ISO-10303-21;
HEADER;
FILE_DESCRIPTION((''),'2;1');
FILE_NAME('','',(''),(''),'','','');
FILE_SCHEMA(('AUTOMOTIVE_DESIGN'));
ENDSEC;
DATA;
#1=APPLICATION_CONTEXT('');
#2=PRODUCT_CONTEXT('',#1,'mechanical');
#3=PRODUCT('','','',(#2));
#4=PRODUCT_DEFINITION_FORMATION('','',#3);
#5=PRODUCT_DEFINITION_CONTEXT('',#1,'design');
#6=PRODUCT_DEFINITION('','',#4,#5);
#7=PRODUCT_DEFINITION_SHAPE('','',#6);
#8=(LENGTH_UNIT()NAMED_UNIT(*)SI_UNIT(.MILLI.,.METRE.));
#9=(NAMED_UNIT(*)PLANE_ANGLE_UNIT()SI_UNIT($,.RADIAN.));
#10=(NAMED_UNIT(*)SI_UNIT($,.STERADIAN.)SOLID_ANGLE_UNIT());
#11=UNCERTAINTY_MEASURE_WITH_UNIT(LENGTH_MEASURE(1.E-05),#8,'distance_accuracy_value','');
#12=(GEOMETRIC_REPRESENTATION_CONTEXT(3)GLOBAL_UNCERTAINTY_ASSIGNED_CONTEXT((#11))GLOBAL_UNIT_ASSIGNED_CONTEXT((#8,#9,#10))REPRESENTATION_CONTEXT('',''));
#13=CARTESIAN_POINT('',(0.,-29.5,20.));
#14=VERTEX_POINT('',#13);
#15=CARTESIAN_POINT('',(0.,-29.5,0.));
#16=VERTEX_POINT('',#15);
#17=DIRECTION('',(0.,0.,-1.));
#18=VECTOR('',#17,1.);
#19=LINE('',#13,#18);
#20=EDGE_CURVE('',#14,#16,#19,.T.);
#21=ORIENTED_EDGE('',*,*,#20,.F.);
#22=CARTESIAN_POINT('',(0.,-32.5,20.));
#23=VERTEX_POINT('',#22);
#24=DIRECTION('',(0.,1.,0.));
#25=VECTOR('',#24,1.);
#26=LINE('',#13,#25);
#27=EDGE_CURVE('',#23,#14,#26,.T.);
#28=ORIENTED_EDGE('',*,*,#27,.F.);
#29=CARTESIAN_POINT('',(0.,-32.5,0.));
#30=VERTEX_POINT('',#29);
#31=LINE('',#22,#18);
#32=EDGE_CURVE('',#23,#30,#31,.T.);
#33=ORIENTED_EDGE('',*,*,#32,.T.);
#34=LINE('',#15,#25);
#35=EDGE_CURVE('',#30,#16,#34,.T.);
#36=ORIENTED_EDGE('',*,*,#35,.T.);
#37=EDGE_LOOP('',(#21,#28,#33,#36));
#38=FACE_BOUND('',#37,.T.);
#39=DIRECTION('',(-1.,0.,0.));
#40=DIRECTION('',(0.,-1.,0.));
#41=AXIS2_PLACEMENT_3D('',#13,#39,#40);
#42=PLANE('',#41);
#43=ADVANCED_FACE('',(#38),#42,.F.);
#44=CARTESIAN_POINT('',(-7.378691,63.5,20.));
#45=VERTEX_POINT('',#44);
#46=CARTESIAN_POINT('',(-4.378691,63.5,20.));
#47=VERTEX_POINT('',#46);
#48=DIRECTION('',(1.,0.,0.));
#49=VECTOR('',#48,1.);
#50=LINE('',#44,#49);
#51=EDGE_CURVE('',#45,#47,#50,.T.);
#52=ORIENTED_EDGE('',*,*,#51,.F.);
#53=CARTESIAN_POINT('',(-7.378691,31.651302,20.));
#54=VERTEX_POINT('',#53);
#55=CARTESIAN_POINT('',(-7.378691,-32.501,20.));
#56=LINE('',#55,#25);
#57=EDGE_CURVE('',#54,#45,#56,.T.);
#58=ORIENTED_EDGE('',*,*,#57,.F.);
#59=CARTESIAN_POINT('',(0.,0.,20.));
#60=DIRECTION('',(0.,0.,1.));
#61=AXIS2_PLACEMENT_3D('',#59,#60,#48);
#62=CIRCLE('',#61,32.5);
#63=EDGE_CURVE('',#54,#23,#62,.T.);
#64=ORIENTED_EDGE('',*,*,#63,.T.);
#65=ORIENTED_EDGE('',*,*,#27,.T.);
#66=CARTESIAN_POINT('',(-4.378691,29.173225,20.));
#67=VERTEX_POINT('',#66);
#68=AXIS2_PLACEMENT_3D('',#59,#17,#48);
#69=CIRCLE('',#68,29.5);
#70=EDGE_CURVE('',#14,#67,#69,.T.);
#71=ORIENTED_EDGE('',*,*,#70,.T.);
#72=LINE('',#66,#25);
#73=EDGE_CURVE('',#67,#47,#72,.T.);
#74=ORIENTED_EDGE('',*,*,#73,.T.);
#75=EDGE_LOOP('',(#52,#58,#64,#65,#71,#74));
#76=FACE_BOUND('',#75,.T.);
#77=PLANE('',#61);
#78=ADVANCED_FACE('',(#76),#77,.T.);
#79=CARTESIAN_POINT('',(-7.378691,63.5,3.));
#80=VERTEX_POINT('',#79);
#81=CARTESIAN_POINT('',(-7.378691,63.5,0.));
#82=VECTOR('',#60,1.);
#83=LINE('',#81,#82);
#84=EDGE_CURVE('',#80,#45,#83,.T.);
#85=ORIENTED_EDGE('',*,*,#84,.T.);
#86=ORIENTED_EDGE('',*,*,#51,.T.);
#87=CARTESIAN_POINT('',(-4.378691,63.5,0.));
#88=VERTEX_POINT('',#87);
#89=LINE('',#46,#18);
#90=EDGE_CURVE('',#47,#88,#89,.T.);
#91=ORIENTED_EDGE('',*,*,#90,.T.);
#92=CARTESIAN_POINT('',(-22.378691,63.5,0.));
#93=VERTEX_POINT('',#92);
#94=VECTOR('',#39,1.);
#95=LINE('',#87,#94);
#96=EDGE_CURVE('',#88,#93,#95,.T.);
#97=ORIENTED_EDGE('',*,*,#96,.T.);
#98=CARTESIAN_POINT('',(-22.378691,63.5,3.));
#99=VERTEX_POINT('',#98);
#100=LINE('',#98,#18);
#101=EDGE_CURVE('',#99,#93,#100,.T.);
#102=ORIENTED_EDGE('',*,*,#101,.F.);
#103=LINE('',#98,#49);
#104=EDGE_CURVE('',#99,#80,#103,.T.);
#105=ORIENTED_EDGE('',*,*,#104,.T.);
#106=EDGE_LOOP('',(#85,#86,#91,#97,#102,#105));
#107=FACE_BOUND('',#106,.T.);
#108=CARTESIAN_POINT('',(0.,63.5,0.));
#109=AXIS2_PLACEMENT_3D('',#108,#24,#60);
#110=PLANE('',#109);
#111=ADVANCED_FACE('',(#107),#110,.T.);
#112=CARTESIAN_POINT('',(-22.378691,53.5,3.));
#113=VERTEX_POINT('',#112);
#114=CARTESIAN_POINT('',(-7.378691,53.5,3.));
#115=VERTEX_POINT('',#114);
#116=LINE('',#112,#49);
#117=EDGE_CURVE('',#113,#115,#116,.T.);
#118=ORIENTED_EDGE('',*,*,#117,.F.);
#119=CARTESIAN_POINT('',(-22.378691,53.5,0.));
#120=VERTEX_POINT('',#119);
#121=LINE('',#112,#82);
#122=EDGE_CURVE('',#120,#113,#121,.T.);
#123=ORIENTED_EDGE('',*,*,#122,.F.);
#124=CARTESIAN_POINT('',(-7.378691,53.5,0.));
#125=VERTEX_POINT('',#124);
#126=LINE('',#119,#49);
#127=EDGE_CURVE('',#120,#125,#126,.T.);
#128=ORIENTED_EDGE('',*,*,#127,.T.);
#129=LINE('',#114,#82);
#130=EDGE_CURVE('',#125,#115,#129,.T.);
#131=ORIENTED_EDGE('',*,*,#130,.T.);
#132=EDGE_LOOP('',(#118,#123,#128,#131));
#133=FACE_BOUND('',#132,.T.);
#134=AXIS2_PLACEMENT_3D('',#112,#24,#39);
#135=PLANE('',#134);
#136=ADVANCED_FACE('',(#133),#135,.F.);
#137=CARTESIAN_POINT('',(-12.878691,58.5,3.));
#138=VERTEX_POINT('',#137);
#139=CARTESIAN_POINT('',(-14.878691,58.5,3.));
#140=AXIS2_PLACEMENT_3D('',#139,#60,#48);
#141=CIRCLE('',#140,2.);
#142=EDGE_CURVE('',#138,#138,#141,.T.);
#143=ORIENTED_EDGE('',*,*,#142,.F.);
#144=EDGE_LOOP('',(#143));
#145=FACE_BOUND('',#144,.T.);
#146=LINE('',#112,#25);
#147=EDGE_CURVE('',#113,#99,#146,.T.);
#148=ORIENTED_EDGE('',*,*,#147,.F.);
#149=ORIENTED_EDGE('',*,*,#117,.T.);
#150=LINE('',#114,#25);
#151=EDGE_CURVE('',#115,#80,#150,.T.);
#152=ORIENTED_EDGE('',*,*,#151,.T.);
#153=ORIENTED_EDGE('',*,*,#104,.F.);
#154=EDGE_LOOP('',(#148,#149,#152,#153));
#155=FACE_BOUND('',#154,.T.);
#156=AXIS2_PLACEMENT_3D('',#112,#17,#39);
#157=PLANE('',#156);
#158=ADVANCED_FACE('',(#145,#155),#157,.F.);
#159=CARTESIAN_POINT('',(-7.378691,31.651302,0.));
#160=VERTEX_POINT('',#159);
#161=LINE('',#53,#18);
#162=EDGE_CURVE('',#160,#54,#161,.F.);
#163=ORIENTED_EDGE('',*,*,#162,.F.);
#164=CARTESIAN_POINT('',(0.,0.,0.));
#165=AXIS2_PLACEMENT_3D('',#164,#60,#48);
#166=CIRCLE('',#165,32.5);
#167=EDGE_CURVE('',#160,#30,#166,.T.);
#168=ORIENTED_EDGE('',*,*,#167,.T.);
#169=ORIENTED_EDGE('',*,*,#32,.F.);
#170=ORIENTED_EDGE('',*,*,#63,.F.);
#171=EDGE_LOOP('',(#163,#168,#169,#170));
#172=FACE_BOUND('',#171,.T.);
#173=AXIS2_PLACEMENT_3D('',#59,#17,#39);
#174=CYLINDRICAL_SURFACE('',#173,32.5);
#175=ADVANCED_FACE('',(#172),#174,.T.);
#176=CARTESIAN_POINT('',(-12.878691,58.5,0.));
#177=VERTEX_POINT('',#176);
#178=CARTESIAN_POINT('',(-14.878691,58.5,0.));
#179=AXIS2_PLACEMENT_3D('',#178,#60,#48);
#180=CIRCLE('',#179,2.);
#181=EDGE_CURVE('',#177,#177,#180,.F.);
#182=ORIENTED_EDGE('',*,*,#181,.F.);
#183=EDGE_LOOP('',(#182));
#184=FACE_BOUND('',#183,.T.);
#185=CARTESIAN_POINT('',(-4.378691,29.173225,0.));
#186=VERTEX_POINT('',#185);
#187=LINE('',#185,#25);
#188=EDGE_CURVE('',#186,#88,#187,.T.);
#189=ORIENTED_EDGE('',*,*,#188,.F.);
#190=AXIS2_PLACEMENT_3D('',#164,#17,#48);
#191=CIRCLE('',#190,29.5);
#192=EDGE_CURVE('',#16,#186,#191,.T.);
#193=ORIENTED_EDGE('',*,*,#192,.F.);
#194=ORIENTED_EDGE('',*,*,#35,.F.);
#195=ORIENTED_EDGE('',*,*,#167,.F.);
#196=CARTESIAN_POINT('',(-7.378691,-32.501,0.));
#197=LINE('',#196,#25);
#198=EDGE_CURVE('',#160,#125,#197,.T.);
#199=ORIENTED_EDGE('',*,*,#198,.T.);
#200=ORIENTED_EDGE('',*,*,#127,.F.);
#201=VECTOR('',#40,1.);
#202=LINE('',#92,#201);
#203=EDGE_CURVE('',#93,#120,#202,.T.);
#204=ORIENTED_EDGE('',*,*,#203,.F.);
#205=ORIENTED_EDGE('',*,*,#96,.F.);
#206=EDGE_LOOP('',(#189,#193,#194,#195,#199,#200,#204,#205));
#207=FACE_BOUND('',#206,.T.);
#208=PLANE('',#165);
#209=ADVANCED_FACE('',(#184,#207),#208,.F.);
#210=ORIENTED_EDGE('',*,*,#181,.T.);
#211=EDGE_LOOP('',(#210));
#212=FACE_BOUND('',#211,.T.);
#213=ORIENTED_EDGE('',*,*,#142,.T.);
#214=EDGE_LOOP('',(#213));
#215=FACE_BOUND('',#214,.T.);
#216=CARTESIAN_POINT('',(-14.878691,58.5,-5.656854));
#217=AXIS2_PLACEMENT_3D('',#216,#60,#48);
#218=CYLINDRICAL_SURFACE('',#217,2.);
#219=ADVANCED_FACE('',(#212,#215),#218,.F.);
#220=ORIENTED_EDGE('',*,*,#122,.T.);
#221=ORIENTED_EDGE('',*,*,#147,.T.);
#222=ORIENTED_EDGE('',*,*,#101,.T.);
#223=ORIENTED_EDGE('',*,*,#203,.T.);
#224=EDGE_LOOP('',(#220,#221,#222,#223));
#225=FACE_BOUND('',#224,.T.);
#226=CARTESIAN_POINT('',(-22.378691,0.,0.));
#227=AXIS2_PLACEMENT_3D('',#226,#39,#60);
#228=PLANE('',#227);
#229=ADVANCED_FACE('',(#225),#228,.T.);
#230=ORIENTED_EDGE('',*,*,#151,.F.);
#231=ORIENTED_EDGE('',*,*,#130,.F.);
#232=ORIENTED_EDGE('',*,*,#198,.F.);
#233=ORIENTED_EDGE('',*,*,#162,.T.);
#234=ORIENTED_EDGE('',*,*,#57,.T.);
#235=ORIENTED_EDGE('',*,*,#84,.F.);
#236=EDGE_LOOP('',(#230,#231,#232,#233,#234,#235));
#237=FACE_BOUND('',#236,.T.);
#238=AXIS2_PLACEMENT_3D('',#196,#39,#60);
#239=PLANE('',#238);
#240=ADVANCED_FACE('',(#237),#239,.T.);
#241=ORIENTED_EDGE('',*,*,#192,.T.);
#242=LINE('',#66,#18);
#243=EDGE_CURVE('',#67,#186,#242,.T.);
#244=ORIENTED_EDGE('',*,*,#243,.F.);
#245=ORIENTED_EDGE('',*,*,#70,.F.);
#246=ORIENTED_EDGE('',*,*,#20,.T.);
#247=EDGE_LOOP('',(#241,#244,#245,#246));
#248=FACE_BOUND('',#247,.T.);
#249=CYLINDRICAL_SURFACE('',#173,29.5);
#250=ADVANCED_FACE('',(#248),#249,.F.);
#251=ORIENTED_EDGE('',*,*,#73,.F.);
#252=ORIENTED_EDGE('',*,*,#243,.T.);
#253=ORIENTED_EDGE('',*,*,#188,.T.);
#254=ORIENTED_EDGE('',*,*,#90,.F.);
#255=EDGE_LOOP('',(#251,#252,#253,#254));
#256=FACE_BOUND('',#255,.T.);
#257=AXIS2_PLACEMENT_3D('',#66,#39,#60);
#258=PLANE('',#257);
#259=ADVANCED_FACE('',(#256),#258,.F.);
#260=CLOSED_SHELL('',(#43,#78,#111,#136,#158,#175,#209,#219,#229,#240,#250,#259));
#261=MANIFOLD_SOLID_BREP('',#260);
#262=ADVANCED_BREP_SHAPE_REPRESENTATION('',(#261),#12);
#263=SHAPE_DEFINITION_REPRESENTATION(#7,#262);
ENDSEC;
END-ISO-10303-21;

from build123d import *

# Parameters (mm, degrees)
BOSS_EXTRUDE1_DEPTH             = 20
SKETCH3_W                       = 3
SKETCH3_H                       = 20
BOSS_EXTRUDE3_DEPTH             = 31
BOSS_EXTRUDE3_DIRECTION_2_REACH = 77.374
SKETCH4_W                       = 3
SKETCH4_H                       = 10
BOSS_EXTRUDE4_DEPTH             = 15
SKETCH6_R                       = 2
CUT_EXTRUDE2_DEPTH              = 3


with BuildPart() as part:
    # Sketch1 → Boss-Extrude1 (new body)
    with BuildSketch(Plane.XY):
        with BuildLine():
            Line((0, -29.5), (0, -32.5))
            ThreePointArc((0, -32.5), (-32.4258356, -2.194353132), (-4.378691316, 32.203680882))
            Line((-4.378691316, 32.203680882), (-4.378691316, 29.173225093))
            ThreePointArc((-4.378691316, 29.173225093), (-29.418192843, -2.195433869), (0, -29.5))
        make_face()
    extrude(amount=BOSS_EXTRUDE1_DEPTH)

    # Sketch3 → Boss-Extrude3 (add)
    with BuildSketch(Plane(origin=(0, 32.5, 0), x_dir=(1, 0, 0), z_dir=(0, 1, 0))):
        with Locations((-5.878691316, -10)):
            Rectangle(SKETCH3_W, SKETCH3_H)
    extrude(amount=BOSS_EXTRUDE3_DEPTH)

    # Sketch3 → Boss-Extrude3 direction 2 (add, up to next)
    with BuildSketch(Plane(origin=(0, 32.5, 0), x_dir=(1, 0, 0), z_dir=(0, 1, 0)), mode=Mode.PRIVATE) as boss_extrude3_direction_2_sk1:
        with Locations((-5.878691316, -10)):
            Rectangle(SKETCH3_W, SKETCH3_H)
    boss_extrude3_direction_2_tool1 = extrude(boss_extrude3_direction_2_sk1.sketch, amount=-BOSS_EXTRUDE3_DIRECTION_2_REACH, mode=Mode.PRIVATE) - part.part
    add(boss_extrude3_direction_2_tool1.solids().sort_by_distance((-5.878691, 32.5, 10))[0])

    # Sketch4 → Boss-Extrude4 (add)
    with BuildSketch(Plane.ZY.offset(7.378691316)):
        with Locations((1.5, 58.5)):
            Rectangle(SKETCH4_W, SKETCH4_H)
    extrude(amount=BOSS_EXTRUDE4_DEPTH)

    # Sketch6 → Cut-Extrude2 (cut)
    with BuildSketch(Plane.XY.offset(3)):
        with Locations((-14.878691316, 58.5)):
            Circle(SKETCH6_R)
    extrude(amount=-CUT_EXTRUDE2_DEPTH, mode=Mode.SUBTRACT)


solid = part.part
